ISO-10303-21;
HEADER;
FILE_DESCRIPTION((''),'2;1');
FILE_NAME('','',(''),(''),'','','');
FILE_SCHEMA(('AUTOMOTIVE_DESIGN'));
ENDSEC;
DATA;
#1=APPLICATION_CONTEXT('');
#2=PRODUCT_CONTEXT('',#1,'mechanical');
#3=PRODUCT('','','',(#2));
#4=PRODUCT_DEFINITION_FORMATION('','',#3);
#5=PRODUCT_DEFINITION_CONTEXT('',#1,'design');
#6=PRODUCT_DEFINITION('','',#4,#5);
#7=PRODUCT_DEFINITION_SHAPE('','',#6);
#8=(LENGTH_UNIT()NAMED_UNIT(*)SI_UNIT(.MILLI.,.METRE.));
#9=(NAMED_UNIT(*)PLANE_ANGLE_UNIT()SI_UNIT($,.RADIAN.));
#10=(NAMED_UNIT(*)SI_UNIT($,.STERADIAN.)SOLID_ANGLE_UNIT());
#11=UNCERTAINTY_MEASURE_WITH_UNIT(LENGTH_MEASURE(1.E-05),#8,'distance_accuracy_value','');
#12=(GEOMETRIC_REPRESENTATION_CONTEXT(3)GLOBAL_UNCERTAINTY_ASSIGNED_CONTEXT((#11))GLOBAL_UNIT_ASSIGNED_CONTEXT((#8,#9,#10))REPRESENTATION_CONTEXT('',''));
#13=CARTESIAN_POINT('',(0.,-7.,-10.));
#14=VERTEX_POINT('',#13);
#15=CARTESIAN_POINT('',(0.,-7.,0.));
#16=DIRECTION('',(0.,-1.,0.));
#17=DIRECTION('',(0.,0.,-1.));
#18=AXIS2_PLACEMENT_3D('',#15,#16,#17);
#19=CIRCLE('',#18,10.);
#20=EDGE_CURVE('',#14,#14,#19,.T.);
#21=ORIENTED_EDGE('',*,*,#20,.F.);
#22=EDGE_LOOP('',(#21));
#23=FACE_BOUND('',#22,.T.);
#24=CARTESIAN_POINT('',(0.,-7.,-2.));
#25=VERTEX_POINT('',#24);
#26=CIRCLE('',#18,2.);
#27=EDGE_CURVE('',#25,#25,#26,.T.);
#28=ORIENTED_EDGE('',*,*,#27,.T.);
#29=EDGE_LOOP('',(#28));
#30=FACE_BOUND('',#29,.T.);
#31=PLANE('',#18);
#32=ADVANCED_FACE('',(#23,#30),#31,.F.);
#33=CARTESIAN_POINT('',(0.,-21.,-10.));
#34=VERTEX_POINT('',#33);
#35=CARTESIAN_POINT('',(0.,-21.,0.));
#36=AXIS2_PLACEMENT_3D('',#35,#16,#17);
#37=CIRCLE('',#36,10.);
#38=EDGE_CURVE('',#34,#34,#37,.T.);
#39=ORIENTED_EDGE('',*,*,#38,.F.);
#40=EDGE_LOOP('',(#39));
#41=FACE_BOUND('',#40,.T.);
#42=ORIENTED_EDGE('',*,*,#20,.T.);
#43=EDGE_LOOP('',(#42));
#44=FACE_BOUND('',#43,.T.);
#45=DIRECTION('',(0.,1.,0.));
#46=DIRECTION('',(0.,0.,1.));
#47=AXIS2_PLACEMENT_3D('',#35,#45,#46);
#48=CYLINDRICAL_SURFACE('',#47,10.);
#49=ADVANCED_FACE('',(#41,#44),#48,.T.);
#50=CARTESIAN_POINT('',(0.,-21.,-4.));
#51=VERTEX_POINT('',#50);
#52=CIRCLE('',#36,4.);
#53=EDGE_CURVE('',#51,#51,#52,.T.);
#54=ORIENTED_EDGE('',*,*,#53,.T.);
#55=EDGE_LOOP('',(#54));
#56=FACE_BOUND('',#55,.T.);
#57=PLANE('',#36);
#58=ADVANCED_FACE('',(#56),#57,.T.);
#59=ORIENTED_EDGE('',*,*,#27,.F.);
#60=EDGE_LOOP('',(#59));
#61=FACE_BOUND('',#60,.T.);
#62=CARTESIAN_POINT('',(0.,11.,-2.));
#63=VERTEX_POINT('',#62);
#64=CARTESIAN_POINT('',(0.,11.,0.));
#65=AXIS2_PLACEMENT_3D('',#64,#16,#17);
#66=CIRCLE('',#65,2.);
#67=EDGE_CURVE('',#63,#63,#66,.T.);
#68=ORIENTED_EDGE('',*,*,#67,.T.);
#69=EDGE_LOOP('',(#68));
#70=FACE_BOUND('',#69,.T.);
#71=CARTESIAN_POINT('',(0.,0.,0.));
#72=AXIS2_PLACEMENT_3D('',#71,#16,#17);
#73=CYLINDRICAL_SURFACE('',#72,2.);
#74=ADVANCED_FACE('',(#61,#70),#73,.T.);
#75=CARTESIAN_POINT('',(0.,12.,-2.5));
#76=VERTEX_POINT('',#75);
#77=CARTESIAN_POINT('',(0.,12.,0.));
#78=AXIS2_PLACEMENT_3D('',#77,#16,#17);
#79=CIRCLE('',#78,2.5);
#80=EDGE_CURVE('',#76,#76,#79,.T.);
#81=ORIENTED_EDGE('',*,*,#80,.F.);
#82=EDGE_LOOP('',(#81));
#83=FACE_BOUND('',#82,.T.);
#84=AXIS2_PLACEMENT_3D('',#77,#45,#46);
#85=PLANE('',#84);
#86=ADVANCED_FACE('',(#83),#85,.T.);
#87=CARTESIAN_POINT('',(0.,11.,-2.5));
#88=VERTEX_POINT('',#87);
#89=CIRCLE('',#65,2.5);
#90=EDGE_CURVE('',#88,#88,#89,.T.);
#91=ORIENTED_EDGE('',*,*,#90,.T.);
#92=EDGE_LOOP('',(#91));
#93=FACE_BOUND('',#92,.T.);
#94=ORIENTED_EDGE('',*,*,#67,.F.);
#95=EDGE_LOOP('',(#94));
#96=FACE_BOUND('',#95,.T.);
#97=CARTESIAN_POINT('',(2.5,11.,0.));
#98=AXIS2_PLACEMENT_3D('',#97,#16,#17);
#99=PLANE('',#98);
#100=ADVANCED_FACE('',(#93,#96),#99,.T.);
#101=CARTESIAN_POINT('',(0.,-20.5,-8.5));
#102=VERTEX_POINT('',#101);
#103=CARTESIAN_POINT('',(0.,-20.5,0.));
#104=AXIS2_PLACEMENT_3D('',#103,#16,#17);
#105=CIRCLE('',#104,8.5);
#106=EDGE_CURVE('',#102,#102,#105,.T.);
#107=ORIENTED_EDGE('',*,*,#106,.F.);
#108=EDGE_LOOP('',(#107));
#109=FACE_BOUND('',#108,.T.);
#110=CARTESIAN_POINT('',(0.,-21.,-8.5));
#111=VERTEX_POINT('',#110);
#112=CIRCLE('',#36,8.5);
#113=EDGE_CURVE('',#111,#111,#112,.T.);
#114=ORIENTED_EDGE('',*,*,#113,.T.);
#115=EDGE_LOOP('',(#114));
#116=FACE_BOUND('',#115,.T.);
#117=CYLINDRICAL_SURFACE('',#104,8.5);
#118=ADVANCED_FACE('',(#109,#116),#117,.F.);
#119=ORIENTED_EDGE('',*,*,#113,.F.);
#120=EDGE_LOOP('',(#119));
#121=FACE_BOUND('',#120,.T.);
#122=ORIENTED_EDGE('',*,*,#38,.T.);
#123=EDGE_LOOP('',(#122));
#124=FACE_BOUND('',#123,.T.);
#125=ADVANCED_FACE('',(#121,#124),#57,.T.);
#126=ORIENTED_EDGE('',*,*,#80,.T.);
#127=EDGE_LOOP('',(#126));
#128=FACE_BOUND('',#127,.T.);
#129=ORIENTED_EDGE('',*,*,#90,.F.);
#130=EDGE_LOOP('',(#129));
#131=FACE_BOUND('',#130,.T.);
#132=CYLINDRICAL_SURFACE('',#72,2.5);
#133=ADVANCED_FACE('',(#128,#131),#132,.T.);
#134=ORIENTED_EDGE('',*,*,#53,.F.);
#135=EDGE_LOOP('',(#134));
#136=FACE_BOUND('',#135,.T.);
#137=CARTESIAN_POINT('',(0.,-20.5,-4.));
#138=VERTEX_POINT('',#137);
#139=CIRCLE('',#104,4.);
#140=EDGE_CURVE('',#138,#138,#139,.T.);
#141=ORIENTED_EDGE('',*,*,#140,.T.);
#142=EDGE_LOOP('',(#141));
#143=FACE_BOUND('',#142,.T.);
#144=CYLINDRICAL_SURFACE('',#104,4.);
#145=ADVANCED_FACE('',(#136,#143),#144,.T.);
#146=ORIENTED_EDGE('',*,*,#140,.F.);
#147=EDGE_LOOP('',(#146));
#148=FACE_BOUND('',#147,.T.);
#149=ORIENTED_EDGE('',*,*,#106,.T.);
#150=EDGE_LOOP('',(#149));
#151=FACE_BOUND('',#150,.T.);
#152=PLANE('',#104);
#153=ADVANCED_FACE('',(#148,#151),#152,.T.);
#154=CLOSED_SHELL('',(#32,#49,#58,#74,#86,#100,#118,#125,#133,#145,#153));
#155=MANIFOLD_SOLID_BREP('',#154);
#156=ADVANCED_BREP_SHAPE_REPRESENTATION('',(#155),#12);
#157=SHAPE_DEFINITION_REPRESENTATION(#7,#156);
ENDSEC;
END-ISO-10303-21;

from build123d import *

# Parameters (mm, degrees)
BOSS_EXTRUDE1_START = 7
SKETCH2_R           = 2
BOSS_EXTRUDE1_DEPTH = 18
SKETCH3_R           = 10
BOSS_EXTRUDE2_DEPTH = 14
SKETCH4_R           = 8.5
SKETCH4_R_2         = 4
CUT_EXTRUDE1_DEPTH  = 0.5


with BuildPart() as part:
    # Sketch1 → Revolve1 (revolve)
    with BuildSketch(Plane.XY, mode=Mode.PRIVATE) as revolve1_sk:
        Polygon((0, 12), (2.5, 12), (2.5, 11), (2, 11), (2, 0), (0, 0), align=None)
    revolve(revolve1_sk.sketch.rotate(Axis((0, 0, 0), (0, 1, 0)), 90), axis=Axis((0, 0, 0), (0, 1, 0)))

    # Sketch2 → Boss-Extrude1 (add)
    with BuildSketch(Plane.XZ.offset(BOSS_EXTRUDE1_START)):
        with Locations(Location((0, 0, 0), (0, 0, 270))):
            Circle(SKETCH2_R)
    extrude(amount=-BOSS_EXTRUDE1_DEPTH)

    # Sketch3 → Boss-Extrude2 (add)
    with BuildSketch(Plane.XZ.offset(7)):
        with Locations(Location((0, 0, 0), (0, 0, 270))):
            Circle(SKETCH3_R)
    extrude(amount=BOSS_EXTRUDE2_DEPTH)

    # Sketch4 → Cut-Extrude1 (cut)
    with BuildSketch(Plane.XZ.offset(21)):
        with Locations(Location((0, 0, 0), (0, 0, 270))):
            Circle(SKETCH4_R)
        with Locations(Location((0, 0, 0), (0, 0, 270))):
            Circle(SKETCH4_R_2, mode=Mode.SUBTRACT)
    extrude(amount=-CUT_EXTRUDE1_DEPTH, mode=Mode.SUBTRACT)


solid = part.part
